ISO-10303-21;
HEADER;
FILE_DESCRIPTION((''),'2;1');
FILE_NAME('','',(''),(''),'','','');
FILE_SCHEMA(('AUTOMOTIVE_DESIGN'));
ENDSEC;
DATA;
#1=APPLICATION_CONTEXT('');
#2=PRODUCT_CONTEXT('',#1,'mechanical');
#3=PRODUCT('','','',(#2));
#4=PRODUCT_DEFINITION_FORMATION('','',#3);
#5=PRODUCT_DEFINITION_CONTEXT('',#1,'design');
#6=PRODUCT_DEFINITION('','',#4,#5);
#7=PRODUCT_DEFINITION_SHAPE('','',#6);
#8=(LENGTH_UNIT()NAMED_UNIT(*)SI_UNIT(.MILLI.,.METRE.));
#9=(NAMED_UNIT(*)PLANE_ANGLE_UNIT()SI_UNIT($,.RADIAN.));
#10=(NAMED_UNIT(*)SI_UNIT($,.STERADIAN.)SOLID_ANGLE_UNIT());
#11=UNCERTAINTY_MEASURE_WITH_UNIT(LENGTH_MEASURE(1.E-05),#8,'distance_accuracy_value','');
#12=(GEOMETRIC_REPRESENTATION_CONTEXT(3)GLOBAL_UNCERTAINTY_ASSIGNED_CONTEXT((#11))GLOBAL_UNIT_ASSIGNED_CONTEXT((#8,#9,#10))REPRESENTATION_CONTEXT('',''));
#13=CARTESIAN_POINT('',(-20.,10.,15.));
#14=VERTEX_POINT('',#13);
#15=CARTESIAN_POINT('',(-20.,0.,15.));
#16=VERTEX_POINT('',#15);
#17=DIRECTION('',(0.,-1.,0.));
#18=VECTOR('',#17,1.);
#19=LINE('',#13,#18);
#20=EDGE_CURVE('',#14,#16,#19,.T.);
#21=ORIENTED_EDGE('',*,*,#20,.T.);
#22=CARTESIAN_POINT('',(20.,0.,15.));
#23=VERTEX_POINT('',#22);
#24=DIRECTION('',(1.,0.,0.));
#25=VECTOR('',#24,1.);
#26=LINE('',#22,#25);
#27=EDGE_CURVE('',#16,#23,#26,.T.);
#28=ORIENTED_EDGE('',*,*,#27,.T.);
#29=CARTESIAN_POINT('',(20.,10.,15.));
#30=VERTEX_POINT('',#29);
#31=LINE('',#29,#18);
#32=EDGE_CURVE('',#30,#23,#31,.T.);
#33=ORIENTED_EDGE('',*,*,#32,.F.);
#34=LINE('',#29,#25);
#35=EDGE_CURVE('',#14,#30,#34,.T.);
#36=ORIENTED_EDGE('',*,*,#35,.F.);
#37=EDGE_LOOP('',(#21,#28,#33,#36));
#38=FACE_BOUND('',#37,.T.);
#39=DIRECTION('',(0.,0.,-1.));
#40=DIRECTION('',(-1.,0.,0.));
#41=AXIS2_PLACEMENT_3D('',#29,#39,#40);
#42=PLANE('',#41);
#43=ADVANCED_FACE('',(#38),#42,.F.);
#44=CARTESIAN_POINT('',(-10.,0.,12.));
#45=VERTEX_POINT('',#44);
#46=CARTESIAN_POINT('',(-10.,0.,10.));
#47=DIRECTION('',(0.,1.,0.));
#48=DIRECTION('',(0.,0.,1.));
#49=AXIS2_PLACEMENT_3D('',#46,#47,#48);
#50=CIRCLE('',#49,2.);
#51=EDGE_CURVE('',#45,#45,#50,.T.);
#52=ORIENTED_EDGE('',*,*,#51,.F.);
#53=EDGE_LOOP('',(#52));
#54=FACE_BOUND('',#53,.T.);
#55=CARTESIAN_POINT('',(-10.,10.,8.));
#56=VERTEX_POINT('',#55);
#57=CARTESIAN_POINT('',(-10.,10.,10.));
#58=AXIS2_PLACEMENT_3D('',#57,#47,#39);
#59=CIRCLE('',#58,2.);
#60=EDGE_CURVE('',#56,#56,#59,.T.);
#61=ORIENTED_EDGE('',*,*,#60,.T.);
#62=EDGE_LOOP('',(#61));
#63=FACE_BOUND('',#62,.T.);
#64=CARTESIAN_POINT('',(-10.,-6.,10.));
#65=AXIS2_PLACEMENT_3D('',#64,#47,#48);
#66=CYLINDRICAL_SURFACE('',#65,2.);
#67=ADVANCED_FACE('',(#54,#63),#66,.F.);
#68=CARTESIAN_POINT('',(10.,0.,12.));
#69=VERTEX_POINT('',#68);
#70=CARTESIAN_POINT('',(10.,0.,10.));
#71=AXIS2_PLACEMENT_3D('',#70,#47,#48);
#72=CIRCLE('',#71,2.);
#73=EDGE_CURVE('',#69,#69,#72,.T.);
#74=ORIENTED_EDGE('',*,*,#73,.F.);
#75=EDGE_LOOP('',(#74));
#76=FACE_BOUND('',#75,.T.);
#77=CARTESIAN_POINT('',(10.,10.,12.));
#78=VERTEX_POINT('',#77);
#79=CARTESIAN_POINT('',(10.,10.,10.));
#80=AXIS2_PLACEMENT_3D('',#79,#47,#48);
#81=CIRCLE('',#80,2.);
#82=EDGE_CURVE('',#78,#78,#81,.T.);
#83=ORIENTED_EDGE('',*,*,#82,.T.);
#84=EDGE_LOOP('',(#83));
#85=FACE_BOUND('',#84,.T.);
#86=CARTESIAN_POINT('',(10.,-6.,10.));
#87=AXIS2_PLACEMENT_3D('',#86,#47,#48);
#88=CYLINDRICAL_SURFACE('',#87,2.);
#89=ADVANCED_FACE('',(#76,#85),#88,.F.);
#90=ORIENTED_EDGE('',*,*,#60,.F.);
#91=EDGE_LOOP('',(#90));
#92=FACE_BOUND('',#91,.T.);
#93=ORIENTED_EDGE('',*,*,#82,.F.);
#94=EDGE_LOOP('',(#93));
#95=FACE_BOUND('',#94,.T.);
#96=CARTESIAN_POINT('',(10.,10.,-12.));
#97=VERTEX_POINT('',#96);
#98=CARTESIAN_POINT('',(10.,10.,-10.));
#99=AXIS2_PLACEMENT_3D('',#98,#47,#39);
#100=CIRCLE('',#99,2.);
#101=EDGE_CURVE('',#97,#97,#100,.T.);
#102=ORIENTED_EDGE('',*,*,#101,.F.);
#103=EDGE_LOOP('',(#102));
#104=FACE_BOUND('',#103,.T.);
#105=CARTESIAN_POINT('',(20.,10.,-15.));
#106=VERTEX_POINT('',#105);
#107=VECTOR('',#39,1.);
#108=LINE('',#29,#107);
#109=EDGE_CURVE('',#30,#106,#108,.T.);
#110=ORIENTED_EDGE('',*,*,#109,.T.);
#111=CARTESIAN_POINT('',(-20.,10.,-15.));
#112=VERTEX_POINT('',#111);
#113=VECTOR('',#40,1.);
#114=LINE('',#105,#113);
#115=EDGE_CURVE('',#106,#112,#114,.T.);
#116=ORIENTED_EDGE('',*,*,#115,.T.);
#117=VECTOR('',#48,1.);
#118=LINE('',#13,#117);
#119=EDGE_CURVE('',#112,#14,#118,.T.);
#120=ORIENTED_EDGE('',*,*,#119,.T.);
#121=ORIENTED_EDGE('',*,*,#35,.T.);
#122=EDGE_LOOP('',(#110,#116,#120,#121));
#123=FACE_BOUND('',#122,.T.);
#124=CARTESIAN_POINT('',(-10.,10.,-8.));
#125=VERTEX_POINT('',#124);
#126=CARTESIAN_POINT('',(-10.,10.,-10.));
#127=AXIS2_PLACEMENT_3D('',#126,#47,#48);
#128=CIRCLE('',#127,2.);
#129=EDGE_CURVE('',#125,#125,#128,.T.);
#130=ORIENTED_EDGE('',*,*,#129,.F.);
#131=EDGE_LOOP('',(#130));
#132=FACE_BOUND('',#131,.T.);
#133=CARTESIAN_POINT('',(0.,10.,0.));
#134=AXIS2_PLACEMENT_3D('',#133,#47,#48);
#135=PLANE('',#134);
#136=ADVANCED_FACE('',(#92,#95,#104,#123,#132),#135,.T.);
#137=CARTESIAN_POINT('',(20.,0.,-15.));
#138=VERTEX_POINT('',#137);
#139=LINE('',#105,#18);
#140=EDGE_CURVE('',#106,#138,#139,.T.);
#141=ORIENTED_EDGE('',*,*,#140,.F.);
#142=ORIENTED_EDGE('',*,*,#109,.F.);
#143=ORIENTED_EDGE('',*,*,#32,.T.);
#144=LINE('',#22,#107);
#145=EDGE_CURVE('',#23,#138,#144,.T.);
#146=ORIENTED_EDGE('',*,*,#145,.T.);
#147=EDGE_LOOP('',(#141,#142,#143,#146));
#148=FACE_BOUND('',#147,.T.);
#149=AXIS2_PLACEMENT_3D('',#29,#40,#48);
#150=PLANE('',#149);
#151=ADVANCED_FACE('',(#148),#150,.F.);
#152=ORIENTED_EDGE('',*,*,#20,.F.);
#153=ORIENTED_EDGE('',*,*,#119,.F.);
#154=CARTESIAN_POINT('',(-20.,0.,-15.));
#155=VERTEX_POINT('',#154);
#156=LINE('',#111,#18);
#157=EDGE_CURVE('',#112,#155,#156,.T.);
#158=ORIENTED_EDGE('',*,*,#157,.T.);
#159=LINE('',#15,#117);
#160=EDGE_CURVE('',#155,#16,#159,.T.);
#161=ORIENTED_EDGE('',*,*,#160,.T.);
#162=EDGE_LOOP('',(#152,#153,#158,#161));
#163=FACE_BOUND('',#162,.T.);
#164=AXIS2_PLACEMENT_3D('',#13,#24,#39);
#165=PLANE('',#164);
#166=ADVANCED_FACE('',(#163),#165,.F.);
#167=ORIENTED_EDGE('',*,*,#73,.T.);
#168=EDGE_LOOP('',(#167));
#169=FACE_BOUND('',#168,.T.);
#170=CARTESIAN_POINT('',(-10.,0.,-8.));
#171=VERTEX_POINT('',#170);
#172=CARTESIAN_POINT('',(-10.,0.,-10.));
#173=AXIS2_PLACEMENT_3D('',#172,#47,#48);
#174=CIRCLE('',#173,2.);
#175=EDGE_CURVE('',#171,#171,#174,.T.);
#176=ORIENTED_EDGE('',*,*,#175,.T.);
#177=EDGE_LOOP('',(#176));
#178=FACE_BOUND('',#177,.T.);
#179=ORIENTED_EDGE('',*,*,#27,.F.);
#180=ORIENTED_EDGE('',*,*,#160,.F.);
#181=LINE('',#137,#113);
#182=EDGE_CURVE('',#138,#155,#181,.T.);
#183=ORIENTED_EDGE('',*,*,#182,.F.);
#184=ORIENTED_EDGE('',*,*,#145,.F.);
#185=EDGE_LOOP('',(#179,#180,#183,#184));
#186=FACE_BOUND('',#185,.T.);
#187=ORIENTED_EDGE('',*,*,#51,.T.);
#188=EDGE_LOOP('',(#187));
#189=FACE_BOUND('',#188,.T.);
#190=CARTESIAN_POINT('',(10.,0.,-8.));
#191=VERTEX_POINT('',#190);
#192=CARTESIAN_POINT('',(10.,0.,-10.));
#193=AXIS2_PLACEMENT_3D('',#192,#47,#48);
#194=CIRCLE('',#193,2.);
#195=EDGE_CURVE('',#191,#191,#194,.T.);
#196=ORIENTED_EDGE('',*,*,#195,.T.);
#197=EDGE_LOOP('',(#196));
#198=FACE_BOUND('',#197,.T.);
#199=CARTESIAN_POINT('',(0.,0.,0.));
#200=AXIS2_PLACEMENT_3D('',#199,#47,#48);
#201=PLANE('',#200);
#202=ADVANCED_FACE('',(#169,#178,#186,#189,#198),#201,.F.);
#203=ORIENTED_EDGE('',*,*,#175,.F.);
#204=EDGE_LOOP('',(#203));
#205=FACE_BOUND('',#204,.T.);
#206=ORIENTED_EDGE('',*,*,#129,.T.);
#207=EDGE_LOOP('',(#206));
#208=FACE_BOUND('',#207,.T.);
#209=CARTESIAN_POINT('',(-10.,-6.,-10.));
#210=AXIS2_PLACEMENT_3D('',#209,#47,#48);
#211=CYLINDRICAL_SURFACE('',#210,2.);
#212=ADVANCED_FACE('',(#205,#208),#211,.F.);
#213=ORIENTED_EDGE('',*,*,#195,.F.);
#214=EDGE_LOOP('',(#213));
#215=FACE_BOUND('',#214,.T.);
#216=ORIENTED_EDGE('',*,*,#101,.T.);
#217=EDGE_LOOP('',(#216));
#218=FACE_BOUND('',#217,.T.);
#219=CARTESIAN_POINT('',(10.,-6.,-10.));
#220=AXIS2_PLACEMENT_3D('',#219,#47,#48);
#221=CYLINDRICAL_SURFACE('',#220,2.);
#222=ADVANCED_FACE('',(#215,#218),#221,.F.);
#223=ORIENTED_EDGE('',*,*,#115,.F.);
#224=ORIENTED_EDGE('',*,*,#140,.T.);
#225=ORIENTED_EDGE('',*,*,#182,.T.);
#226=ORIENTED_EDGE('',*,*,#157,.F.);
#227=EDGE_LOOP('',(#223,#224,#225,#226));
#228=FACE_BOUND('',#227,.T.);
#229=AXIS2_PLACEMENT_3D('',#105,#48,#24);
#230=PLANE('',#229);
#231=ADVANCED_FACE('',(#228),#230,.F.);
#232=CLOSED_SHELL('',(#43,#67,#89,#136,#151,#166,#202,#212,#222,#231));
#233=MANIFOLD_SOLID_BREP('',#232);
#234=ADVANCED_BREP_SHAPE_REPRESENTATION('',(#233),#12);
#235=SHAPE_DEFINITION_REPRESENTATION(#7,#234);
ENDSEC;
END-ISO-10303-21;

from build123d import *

# Parameters (mm, degrees)
SKETCH1_W           = 40
SKETCH1_H           = 30
BOSS_EXTRUDE1_DEPTH = 10
SKETCH2_R           = 2
CUT_EXTRUDE1_DEPTH  = 16


with BuildPart() as part:
    # Sketch1 → Boss-Extrude1 (new body)
    with BuildSketch(Plane(origin=(0, 0, 0), x_dir=(1, 0, 0), z_dir=(0, 1, 0))):
        Rectangle(SKETCH1_W, SKETCH1_H)
    extrude(amount=BOSS_EXTRUDE1_DEPTH)

    # Sketch2 → Cut-Extrude1 (cut)
    with BuildSketch(Plane(origin=(0, 10, 0), x_dir=(1, 0, 0), z_dir=(0, 1, 0))):
        with Locations((-10, 10)):
            Circle(SKETCH2_R)
        with Locations((10, 10)):
            Circle(SKETCH2_R)
        with Locations((10, -10)):
            Circle(SKETCH2_R)
        with Locations((-10, -10)):
            Circle(SKETCH2_R)
    extrude(amount=-CUT_EXTRUDE1_DEPTH, mode=Mode.SUBTRACT)


solid = part.part
